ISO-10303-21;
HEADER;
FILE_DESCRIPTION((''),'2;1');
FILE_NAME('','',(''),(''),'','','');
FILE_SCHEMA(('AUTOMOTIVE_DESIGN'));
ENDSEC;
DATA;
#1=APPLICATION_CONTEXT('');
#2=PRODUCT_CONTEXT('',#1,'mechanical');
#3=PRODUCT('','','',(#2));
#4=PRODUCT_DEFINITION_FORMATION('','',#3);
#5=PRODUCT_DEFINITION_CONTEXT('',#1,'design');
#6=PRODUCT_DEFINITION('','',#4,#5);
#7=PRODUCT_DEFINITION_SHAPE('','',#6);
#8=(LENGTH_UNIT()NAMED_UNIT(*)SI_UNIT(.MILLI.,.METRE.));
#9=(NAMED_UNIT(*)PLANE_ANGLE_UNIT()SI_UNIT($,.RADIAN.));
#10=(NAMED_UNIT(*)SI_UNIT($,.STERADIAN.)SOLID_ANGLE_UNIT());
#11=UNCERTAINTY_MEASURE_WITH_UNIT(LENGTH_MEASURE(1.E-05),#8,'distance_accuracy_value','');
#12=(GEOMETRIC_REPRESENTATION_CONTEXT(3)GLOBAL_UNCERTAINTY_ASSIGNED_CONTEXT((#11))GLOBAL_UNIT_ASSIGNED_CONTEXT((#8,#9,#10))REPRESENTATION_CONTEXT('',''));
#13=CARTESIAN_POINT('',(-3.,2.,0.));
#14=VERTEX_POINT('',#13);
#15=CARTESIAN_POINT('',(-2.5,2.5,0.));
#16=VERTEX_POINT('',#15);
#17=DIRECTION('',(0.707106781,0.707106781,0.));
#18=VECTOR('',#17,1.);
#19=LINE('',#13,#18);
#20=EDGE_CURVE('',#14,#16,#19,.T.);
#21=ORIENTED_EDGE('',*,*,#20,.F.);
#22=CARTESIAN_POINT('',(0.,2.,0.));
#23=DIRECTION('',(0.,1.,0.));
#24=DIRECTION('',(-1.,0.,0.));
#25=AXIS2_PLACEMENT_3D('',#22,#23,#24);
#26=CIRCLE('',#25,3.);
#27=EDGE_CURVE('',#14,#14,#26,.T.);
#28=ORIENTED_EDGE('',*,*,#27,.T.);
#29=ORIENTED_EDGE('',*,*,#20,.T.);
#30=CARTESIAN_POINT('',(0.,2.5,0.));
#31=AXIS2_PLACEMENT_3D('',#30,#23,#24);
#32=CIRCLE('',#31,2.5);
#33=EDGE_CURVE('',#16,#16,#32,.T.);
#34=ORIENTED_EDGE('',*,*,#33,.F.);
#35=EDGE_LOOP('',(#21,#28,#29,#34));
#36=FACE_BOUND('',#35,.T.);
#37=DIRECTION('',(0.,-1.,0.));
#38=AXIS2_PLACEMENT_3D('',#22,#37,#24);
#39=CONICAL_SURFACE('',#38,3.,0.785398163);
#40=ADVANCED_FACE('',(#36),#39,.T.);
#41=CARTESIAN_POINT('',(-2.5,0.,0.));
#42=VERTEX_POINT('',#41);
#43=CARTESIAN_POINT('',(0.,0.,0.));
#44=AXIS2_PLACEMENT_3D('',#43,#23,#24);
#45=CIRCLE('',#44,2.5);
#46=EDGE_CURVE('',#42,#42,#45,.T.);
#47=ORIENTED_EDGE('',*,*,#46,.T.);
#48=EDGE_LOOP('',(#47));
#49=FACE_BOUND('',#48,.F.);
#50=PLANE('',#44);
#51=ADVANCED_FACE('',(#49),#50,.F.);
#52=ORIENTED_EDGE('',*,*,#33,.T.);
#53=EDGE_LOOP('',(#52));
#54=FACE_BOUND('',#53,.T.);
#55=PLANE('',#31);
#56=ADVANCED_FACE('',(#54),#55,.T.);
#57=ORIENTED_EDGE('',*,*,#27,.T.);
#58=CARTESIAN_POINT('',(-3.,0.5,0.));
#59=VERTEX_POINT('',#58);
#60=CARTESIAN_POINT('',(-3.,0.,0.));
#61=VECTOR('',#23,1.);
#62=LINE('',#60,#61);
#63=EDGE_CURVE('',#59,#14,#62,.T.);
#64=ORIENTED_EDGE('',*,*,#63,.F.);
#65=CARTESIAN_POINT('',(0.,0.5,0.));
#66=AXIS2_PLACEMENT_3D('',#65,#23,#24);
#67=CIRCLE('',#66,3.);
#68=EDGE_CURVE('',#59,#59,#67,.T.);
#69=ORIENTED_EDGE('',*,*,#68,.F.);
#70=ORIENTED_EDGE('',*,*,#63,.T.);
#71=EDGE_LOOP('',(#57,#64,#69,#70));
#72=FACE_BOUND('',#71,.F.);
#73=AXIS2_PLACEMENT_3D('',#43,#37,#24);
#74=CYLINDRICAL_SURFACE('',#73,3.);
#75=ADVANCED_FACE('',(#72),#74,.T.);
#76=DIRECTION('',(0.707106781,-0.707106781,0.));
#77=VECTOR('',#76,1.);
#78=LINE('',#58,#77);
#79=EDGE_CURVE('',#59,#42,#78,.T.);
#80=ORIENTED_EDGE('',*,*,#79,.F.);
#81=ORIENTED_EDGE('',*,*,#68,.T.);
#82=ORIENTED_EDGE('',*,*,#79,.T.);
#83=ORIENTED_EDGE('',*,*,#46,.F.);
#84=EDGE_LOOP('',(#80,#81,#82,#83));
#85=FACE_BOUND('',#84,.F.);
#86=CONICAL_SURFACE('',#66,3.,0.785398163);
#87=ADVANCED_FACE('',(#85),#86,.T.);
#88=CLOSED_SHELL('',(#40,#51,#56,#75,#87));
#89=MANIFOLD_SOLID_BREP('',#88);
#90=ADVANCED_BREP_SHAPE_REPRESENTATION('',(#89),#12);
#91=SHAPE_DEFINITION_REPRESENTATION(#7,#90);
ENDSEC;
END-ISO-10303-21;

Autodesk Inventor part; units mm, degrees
ref_plane "YZ Plane" through (0, 0, 0) normal (1, 0, 0) x (0, 1, 0)
ref_plane "XZ Plane" through (0, 0, 0) normal (0, 1, 0) x (-1, 0, 0)
ref_plane "XY Plane" through (0, 0, 0) normal (0, 0, 1) x (1, 0, 0)
sketch "Sketch1" plane through (0, 0, 0) normal (0, 1, 0) x (-1, 0, 0)
  circle A0 centre (0, 0) radius 3
  dimension "d0" = 6
extrude "Extrusion1" add sketch "Sketch1" along normal blind 2.5
chamfer "Chamfer1" distance 0.5 angle 45 2 edges at (3, 2.5, 0) (3, 0, 0)
properties part number "encoder_ma"
